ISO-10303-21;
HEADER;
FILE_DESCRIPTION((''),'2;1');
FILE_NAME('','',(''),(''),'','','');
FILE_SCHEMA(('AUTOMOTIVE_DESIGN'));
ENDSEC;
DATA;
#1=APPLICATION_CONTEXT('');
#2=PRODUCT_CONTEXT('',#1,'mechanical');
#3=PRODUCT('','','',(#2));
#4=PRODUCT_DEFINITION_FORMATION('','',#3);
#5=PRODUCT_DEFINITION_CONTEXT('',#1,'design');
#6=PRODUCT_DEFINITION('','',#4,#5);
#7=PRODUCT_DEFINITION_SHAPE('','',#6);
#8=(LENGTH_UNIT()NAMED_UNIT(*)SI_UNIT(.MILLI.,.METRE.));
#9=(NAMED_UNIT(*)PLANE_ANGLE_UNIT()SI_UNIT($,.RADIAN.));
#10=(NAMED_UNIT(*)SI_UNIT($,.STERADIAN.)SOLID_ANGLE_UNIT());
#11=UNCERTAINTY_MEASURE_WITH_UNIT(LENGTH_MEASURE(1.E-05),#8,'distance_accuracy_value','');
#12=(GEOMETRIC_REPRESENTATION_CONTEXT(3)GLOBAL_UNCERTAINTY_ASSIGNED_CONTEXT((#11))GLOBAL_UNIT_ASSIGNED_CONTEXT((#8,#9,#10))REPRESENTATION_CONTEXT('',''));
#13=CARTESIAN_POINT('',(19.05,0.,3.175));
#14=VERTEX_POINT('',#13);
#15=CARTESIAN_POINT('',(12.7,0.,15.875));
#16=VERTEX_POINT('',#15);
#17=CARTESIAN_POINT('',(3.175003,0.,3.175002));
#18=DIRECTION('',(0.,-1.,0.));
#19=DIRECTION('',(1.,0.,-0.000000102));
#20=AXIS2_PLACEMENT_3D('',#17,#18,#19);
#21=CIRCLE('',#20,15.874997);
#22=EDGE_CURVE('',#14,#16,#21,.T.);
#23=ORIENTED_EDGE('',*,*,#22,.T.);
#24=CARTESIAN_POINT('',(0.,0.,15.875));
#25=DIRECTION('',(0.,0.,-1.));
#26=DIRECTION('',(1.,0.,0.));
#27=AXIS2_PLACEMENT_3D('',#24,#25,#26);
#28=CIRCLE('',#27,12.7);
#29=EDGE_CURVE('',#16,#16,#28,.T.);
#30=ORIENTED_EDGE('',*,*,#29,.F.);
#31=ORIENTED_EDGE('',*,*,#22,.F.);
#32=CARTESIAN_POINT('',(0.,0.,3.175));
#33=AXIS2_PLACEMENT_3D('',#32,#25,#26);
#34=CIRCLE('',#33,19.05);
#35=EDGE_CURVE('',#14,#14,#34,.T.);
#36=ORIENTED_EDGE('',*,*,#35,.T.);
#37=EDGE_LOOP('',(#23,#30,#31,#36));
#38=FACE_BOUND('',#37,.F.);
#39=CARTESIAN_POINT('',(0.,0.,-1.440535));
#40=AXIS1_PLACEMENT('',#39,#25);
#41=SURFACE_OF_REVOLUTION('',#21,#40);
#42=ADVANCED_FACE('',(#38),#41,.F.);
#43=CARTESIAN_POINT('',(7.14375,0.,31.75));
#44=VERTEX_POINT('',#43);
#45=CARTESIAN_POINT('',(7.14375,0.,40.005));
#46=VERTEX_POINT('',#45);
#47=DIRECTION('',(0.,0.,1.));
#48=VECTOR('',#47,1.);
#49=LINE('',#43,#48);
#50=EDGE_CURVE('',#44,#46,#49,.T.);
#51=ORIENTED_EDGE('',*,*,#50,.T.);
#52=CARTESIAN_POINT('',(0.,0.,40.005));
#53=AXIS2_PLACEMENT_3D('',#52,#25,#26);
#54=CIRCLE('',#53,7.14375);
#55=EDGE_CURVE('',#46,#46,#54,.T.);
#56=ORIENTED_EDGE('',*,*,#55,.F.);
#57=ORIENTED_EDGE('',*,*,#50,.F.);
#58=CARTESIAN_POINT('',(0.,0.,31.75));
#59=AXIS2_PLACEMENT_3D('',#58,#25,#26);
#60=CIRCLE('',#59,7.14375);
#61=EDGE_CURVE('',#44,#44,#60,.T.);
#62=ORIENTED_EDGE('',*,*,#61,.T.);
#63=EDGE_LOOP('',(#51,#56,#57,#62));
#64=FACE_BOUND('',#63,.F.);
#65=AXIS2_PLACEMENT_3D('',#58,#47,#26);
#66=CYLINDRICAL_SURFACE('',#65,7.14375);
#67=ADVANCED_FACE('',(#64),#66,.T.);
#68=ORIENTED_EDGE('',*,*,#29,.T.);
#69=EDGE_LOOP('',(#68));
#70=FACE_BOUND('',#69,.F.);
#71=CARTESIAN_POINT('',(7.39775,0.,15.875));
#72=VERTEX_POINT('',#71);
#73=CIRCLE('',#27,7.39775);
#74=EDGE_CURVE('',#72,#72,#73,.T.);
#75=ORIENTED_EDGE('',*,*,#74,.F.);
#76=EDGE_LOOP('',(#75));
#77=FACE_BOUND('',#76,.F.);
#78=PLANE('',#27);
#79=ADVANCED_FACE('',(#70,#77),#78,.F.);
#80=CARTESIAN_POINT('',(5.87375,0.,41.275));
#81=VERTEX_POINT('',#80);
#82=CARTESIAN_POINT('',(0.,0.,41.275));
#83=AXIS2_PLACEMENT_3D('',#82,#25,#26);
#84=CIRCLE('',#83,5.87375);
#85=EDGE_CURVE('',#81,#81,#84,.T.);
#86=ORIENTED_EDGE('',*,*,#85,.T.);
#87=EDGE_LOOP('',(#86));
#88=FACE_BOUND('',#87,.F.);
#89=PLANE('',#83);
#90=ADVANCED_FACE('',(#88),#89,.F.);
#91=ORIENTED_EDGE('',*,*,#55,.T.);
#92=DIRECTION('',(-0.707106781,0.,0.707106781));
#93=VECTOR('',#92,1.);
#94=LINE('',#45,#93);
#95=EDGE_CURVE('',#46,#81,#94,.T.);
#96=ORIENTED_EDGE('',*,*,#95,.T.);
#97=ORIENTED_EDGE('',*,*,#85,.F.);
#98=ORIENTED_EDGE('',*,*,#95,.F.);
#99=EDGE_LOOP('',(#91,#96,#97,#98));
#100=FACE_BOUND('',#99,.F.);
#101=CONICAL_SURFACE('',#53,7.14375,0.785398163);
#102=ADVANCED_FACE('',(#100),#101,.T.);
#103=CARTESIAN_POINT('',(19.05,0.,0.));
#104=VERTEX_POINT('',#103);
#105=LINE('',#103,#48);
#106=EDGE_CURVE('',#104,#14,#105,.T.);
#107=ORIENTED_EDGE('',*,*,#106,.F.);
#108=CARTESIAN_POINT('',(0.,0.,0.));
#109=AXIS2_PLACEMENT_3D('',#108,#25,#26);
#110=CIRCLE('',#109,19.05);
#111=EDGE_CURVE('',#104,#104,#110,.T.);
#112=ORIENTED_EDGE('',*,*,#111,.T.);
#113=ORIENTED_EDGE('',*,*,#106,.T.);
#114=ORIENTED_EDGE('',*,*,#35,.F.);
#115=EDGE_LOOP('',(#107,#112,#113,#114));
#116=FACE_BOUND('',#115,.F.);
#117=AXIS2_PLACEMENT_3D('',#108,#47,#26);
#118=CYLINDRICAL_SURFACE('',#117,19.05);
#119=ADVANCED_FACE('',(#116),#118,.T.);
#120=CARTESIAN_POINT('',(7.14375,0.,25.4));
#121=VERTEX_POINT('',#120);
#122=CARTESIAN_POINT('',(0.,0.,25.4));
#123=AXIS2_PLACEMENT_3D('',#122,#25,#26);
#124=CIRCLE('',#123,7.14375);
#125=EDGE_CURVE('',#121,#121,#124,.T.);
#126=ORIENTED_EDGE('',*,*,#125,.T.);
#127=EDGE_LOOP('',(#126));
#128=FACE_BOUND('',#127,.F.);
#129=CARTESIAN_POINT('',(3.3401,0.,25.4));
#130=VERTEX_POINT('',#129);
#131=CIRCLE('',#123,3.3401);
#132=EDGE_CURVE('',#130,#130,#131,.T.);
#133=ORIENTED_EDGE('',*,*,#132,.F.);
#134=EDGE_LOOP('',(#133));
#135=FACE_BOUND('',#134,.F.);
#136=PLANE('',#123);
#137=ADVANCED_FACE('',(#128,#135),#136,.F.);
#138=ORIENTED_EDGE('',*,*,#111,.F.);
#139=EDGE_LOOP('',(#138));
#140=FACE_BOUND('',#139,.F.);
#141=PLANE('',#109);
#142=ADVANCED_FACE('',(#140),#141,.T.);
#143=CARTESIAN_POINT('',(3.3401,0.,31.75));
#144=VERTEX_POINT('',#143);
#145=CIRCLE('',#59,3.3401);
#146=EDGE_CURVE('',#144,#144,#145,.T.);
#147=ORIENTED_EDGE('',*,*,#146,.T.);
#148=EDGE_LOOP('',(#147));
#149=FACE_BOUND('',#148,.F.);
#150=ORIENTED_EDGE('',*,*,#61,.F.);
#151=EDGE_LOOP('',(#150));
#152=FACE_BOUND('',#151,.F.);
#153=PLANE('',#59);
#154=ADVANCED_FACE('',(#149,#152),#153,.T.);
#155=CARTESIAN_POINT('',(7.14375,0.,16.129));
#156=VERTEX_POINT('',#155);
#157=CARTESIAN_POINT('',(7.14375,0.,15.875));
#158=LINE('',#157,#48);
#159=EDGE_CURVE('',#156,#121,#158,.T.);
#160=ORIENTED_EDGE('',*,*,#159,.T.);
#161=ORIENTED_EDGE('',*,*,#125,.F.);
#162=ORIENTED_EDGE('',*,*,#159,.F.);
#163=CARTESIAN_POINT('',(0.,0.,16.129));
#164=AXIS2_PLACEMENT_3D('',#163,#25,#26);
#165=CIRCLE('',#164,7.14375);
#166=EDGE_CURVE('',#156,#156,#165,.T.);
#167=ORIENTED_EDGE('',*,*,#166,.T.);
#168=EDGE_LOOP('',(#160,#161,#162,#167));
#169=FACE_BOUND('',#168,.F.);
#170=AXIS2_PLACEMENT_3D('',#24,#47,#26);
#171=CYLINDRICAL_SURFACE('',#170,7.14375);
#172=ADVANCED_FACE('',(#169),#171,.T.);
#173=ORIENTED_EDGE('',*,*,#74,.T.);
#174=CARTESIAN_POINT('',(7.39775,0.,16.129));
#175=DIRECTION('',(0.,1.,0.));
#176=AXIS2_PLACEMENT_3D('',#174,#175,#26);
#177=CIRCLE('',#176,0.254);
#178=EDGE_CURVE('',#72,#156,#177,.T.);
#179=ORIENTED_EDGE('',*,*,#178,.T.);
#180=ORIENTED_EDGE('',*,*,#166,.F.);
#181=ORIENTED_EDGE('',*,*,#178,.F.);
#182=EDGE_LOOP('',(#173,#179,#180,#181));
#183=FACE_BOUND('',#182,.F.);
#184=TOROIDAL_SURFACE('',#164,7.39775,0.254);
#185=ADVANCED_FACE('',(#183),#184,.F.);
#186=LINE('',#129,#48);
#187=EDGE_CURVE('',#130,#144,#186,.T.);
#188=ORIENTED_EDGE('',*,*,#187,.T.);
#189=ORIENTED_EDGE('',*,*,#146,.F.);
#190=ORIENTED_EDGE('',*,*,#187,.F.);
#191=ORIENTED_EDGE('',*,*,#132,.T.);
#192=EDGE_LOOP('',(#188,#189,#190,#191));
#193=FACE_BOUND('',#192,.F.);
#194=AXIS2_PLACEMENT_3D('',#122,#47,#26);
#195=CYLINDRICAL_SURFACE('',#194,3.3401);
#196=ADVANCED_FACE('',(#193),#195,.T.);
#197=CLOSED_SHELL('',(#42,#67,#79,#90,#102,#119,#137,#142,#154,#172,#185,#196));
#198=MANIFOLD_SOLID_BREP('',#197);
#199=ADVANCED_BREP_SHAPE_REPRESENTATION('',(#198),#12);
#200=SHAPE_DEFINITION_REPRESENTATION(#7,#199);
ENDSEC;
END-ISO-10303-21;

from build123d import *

# Parameters (mm, degrees)
F2_R     = 0.254
F3_SIZE2 = 1.27
F3_SIZE  = 1.27


with BuildPart() as f1:
    # F0 (on Front) → F1 (revolve)
    with BuildSketch(Plane.XZ):
        with BuildLine():
            Line((0, 41.275), (0, 0))
            Line((0, 0), (19.05, 0))
            Line((19.05, 0), (19.05, 3.175))
            ThreePointArc((19.05, 3.175), (17.374032, 10.274516), (12.7, 15.875))
            Line((12.7, 15.875), (7.14375, 15.875))
            Line((7.14375, 15.875), (7.14375, 25.4))
            Line((7.14375, 25.4), (3.3401, 25.4))
            Line((3.3401, 25.4), (3.3401, 31.75))
            Line((3.3401, 31.75), (7.14375, 31.75))
            Line((7.14375, 31.75), (7.14375, 41.275))
            Line((7.14375, 41.275), (0, 41.275))
        make_face()
    revolve(axis=Axis((0, 0, -1.440535), (0, 0, -1)))

    # F2
    f2_edges = [f1.edges().sort_by_distance(p)[0] for p in [
        (-7.14375, 0, 15.875),
    ]]
    fillet(f2_edges, radius=F2_R)

    # F3
    f3_edges = [f1.edges().sort_by_distance(p)[0] for p in [
        (-7.14375, 0, 41.275),
    ]]
    chamfer(f3_edges, length=F3_SIZE, length2=F3_SIZE2)


solid = f1.part
